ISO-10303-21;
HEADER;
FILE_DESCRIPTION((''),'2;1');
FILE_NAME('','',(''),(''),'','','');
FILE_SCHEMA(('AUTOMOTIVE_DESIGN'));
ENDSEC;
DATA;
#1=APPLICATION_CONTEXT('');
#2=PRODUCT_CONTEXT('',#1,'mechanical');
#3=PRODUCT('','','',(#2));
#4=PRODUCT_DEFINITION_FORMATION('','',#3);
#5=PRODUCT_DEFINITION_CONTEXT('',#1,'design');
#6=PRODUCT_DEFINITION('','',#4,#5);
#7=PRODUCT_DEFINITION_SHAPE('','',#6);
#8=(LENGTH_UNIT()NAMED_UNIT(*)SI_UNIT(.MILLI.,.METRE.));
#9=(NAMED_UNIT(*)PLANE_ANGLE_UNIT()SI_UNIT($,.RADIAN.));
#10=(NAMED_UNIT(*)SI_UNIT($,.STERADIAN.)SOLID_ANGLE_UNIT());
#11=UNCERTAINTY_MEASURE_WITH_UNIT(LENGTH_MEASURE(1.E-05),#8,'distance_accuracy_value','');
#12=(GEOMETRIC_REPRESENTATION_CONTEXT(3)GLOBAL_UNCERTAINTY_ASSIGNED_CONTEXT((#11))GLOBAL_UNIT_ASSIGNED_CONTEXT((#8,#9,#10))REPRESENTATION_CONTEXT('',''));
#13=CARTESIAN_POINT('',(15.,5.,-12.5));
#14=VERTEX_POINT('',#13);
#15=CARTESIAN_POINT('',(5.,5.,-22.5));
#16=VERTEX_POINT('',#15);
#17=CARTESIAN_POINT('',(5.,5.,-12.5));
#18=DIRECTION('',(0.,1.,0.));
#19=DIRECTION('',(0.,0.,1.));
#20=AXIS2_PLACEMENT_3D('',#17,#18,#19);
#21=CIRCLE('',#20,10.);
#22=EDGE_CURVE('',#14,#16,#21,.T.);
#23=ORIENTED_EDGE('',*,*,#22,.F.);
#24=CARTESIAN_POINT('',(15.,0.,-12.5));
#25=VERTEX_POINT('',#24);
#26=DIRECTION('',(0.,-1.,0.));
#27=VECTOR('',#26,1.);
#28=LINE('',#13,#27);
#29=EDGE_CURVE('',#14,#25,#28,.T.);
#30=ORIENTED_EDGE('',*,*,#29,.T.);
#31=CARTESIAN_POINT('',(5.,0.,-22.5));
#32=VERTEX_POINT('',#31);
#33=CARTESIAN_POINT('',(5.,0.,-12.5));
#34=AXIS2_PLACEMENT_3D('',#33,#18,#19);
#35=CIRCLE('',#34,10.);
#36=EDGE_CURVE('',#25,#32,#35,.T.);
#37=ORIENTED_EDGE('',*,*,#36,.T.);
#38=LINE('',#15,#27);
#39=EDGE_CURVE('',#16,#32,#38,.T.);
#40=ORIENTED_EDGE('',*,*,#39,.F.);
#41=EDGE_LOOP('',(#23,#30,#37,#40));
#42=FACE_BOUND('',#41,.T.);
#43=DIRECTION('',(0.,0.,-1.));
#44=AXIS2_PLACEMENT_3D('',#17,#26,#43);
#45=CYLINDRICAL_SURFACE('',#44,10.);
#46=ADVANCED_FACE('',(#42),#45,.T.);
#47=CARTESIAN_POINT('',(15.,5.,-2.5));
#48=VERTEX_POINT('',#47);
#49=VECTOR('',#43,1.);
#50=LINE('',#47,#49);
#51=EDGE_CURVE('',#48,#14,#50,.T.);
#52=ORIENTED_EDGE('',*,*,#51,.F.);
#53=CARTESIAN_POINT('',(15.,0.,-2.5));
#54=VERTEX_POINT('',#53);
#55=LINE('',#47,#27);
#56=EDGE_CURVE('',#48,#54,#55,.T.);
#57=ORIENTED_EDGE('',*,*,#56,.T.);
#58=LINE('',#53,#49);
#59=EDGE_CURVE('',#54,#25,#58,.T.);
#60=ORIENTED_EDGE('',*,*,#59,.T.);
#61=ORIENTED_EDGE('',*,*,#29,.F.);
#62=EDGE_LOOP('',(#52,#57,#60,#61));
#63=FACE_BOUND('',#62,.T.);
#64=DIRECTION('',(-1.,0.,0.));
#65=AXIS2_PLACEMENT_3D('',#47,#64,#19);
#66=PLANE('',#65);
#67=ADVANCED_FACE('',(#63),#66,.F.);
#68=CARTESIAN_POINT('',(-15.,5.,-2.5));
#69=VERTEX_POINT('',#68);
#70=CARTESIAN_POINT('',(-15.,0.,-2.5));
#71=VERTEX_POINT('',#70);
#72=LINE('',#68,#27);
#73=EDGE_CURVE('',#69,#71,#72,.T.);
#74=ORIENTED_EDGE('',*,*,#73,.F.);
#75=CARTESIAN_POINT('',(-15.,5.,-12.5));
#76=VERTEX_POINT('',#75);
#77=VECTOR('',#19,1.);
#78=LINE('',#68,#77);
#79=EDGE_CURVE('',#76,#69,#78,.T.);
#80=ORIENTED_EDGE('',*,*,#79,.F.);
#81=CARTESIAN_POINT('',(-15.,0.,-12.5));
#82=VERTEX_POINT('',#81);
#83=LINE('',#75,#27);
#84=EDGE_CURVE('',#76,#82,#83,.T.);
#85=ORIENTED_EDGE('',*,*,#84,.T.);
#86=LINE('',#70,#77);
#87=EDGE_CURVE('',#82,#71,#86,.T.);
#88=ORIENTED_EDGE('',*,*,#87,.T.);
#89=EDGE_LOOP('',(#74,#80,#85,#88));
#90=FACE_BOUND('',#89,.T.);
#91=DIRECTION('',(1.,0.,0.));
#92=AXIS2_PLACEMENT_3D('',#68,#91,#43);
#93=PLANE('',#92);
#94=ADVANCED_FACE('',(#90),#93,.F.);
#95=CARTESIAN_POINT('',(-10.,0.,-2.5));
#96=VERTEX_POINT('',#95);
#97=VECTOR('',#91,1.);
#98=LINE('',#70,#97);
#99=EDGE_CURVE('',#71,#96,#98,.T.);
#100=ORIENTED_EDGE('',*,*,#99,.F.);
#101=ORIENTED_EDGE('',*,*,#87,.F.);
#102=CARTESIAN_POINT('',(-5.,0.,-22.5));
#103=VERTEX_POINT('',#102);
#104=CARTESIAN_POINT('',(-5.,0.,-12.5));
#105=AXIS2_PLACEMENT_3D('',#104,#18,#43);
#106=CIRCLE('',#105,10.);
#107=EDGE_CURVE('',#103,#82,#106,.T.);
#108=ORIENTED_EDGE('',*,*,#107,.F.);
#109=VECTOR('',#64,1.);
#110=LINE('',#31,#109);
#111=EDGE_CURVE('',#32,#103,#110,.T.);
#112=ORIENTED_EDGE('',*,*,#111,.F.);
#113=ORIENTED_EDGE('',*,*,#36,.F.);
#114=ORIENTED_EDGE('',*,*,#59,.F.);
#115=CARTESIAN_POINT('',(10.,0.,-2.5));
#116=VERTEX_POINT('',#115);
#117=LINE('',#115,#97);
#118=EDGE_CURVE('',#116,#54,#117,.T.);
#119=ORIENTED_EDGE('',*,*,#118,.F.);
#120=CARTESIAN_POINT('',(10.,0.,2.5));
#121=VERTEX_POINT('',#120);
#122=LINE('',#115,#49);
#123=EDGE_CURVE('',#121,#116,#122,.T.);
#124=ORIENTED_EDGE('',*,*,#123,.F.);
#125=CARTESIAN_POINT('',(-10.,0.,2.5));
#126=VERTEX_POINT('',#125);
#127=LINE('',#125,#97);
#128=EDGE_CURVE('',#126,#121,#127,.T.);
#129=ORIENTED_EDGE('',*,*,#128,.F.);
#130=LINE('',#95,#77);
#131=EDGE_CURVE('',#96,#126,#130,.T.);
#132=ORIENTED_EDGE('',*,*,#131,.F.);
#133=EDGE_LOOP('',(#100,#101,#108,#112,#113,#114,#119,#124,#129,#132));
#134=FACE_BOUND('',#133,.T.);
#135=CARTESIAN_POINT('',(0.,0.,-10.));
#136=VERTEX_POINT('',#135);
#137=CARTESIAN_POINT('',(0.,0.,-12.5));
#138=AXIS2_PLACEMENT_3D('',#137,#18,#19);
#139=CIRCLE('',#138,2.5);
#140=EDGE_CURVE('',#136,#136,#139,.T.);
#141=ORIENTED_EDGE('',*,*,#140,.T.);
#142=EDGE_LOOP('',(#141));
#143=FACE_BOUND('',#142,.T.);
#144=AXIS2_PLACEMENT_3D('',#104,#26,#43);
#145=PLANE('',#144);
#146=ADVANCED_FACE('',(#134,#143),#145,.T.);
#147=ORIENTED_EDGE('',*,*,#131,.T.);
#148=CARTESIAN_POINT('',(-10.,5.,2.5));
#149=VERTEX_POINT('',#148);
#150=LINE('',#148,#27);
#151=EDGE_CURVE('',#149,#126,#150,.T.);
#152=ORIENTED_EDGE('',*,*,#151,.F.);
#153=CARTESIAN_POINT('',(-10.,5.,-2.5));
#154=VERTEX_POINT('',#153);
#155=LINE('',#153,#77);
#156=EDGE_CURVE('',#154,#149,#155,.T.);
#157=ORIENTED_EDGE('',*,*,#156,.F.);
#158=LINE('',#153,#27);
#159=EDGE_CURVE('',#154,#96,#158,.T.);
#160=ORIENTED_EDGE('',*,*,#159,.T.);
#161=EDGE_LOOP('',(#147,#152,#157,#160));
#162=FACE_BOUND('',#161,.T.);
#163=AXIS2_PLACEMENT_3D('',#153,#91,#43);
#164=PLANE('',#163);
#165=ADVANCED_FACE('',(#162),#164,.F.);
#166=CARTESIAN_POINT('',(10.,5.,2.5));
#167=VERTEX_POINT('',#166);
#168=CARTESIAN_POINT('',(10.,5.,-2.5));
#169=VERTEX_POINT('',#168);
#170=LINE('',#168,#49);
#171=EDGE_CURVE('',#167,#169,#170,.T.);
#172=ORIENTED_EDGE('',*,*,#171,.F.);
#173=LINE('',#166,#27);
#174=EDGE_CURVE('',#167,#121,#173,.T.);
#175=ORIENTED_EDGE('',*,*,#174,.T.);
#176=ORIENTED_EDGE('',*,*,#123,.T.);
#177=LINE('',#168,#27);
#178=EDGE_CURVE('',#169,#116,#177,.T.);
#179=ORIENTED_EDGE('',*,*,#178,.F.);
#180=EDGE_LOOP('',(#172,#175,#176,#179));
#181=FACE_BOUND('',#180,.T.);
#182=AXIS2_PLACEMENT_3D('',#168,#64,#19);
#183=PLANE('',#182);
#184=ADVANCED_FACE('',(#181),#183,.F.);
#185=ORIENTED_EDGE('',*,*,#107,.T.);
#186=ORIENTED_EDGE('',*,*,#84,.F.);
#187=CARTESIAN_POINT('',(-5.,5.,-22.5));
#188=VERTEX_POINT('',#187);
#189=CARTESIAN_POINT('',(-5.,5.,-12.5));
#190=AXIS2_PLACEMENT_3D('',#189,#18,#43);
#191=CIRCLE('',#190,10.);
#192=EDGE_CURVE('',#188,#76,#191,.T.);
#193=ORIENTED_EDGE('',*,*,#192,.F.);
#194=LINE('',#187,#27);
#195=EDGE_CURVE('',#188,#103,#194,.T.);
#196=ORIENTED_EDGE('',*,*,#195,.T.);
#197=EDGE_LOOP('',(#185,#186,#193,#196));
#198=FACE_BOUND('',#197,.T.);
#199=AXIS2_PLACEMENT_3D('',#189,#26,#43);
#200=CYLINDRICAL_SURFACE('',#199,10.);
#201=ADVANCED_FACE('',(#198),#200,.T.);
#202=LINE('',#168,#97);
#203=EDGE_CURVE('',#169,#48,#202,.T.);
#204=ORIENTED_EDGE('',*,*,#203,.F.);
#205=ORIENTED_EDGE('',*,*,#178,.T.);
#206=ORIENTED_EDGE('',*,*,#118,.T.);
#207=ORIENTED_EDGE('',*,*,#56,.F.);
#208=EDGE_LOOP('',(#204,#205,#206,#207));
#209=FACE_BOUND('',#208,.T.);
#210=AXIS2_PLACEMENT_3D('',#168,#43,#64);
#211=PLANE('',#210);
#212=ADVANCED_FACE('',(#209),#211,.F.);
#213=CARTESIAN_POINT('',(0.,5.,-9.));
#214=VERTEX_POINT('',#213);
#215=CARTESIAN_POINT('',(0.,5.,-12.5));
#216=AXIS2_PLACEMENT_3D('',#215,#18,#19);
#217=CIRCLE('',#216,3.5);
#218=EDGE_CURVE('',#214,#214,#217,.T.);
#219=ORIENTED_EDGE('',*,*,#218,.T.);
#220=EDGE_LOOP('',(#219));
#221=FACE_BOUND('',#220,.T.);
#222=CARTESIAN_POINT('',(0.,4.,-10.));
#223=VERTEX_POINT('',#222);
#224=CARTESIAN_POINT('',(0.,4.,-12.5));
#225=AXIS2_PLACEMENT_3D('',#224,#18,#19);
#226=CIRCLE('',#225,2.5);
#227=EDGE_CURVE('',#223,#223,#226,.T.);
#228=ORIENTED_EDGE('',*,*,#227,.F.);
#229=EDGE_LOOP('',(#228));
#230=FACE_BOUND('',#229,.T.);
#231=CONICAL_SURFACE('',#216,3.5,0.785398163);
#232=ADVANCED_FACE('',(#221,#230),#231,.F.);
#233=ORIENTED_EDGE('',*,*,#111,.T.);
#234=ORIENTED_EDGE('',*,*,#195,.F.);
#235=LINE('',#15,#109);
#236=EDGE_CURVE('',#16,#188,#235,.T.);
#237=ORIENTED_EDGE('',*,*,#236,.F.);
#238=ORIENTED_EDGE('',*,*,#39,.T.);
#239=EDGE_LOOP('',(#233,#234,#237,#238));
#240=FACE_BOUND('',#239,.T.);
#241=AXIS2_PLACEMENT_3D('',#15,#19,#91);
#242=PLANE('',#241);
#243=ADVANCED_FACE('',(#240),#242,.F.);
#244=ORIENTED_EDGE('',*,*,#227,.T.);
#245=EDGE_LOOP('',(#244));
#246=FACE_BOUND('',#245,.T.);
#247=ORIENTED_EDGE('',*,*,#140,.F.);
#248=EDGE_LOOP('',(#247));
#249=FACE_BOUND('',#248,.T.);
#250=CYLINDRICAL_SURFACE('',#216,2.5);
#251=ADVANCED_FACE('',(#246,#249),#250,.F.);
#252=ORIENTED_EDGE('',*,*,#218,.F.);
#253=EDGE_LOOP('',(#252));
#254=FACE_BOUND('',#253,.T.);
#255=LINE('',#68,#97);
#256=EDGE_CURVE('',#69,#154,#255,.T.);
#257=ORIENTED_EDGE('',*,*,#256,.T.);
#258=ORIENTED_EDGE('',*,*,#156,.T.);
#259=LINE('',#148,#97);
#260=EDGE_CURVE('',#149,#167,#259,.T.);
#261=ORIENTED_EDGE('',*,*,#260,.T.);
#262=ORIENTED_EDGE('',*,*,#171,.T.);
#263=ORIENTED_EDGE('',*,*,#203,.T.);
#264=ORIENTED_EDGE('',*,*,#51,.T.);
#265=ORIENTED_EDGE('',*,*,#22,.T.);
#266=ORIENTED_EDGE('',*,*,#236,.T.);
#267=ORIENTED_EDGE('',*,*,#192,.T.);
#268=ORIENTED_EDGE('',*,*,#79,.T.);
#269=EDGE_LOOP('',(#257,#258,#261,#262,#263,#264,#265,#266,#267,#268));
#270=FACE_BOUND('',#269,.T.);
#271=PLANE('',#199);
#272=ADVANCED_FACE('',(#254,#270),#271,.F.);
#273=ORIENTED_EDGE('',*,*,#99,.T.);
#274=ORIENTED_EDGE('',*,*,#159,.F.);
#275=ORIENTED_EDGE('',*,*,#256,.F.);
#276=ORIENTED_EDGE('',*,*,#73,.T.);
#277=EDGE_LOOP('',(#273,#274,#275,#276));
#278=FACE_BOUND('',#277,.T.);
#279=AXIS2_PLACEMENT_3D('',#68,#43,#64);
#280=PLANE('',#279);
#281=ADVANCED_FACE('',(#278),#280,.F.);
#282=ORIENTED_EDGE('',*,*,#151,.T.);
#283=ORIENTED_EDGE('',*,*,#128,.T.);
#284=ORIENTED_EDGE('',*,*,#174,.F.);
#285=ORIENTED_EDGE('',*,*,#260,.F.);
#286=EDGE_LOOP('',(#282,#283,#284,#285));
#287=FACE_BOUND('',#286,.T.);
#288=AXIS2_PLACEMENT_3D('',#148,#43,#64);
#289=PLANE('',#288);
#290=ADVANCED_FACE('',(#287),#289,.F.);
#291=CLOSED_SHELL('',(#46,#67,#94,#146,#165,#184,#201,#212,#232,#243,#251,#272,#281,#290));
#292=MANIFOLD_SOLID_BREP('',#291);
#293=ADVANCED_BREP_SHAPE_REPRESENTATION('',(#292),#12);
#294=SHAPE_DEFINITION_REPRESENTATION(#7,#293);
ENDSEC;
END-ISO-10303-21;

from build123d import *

# Parameters (mm, degrees)
EXTRUDE_1_DEPTH             = 5
HOLE_WIZARD_M61_D           = 5
HOLE_WIZARD_M61_CSINK_D     = 7
HOLE_WIZARD_M61_CSINK_ANGLE = 90


with BuildPart() as part:
    # Эскиз1 → Бобышка-Вытянуть1 (new body)
    with BuildSketch(Plane(origin=(0, 0, 0), x_dir=(1, 0, 0), z_dir=(0, 1, 0))):
        with BuildLine():
            Line((-15, 2.5), (-10, 2.5))
            Line((-10, 2.5), (-10, -2.5))
            Line((-10, -2.5), (10, -2.5))
            Line((10, -2.5), (10, 2.5))
            Line((10, 2.5), (15, 2.5))
            Line((15, 2.5), (15, 12.5))
            ThreePointArc((15, 12.5), (12.071067812, 19.571067812), (5, 22.5))
            Line((5, 22.5), (-5, 22.5))
            ThreePointArc((-5, 22.5), (-12.071067812, 19.571067812), (-15, 12.5))
            Line((-15, 12.5), (-15, 2.5))
        make_face()
    extrude(amount=EXTRUDE_1_DEPTH)

    # Отверстие обработанное метчиком M61 (through all)
    with Locations(Plane(origin=(0, 5, 0), x_dir=(1, 0, 0), z_dir=(0, 1, 0))):
        with Locations((0, 12.5)):
            CounterSinkHole(HOLE_WIZARD_M61_D / 2, HOLE_WIZARD_M61_CSINK_D / 2, counter_sink_angle=HOLE_WIZARD_M61_CSINK_ANGLE)


solid = part.part
